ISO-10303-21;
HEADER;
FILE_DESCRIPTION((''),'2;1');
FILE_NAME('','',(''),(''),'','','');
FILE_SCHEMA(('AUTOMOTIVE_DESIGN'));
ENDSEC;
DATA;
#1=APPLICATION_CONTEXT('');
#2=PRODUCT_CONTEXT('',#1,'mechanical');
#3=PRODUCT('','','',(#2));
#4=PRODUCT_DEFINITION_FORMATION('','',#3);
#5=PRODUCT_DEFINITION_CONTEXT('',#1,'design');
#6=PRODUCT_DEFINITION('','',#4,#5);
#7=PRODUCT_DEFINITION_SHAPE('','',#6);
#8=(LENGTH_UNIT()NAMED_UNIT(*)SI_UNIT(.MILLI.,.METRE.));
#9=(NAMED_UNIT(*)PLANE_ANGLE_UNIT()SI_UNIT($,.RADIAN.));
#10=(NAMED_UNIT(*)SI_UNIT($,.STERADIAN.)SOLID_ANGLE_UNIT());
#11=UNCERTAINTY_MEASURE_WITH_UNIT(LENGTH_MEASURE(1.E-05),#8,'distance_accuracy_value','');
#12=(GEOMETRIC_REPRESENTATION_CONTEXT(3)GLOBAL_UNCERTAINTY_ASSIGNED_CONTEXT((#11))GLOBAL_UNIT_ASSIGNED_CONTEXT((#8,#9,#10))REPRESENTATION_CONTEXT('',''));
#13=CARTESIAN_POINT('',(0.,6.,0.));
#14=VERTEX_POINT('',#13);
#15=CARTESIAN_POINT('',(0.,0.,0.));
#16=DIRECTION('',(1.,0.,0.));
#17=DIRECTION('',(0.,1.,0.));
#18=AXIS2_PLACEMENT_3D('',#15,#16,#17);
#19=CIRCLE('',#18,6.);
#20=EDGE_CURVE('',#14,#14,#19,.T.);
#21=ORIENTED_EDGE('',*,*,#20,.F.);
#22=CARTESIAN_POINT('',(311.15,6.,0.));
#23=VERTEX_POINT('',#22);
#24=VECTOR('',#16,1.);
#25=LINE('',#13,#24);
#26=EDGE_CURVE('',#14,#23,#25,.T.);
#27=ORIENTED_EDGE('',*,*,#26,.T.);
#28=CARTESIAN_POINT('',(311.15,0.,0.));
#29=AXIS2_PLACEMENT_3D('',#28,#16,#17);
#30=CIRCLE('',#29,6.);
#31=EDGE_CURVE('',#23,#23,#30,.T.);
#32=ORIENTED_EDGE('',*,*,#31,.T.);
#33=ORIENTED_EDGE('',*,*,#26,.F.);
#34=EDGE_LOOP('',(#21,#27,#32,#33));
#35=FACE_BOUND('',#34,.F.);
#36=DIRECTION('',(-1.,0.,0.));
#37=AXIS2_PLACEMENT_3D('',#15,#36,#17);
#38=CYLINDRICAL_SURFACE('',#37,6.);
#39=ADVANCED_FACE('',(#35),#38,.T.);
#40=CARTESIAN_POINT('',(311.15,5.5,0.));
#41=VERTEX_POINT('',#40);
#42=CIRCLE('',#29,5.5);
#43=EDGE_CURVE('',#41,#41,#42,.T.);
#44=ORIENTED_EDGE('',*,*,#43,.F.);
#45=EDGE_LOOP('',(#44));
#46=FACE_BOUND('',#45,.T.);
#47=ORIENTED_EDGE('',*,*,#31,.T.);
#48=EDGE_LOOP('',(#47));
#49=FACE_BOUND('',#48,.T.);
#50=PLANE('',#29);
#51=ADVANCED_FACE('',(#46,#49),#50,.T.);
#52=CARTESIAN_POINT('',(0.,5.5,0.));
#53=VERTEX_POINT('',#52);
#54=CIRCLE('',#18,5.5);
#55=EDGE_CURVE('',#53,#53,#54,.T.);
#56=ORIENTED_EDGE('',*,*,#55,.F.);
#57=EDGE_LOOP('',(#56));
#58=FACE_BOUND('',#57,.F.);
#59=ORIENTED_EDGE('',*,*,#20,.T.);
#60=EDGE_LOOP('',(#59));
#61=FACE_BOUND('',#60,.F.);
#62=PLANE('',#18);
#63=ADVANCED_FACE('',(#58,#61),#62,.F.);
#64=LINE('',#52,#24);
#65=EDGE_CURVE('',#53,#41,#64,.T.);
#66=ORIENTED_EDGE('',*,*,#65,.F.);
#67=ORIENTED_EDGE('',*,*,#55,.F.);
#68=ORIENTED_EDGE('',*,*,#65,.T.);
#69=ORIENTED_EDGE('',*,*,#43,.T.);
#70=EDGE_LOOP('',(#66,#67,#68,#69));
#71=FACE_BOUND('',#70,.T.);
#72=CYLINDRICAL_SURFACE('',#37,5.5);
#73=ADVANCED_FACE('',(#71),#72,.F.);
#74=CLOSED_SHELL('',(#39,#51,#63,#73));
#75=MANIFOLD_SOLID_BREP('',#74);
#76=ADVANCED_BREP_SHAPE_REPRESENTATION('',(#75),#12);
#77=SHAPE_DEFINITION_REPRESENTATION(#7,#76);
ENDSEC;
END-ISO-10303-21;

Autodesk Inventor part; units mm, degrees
ref_plane "YZ Plane" through (0, 0, 0) normal (1, 0, 0) x (0, 1, 0)
ref_plane "XZ Plane" through (0, 0, 0) normal (0, 1, 0) x (-1, 0, 0)
ref_plane "XY Plane" through (0, 0, 0) normal (0, 0, 1) x (1, 0, 0)
sketch "Sketch1" plane through (0, 0, 0) normal (1, 0, 0) x (0, 1, 0)
  circle A0 centre (0, 0) radius 6
  circle A1 centre (0, 0) radius 5.5
  dimension "d0" = 12
  dimension "d1" = 11
extrude "Extrusion1" add sketch "Sketch1" along normal blind 311.15
properties part number "Foot tube"
